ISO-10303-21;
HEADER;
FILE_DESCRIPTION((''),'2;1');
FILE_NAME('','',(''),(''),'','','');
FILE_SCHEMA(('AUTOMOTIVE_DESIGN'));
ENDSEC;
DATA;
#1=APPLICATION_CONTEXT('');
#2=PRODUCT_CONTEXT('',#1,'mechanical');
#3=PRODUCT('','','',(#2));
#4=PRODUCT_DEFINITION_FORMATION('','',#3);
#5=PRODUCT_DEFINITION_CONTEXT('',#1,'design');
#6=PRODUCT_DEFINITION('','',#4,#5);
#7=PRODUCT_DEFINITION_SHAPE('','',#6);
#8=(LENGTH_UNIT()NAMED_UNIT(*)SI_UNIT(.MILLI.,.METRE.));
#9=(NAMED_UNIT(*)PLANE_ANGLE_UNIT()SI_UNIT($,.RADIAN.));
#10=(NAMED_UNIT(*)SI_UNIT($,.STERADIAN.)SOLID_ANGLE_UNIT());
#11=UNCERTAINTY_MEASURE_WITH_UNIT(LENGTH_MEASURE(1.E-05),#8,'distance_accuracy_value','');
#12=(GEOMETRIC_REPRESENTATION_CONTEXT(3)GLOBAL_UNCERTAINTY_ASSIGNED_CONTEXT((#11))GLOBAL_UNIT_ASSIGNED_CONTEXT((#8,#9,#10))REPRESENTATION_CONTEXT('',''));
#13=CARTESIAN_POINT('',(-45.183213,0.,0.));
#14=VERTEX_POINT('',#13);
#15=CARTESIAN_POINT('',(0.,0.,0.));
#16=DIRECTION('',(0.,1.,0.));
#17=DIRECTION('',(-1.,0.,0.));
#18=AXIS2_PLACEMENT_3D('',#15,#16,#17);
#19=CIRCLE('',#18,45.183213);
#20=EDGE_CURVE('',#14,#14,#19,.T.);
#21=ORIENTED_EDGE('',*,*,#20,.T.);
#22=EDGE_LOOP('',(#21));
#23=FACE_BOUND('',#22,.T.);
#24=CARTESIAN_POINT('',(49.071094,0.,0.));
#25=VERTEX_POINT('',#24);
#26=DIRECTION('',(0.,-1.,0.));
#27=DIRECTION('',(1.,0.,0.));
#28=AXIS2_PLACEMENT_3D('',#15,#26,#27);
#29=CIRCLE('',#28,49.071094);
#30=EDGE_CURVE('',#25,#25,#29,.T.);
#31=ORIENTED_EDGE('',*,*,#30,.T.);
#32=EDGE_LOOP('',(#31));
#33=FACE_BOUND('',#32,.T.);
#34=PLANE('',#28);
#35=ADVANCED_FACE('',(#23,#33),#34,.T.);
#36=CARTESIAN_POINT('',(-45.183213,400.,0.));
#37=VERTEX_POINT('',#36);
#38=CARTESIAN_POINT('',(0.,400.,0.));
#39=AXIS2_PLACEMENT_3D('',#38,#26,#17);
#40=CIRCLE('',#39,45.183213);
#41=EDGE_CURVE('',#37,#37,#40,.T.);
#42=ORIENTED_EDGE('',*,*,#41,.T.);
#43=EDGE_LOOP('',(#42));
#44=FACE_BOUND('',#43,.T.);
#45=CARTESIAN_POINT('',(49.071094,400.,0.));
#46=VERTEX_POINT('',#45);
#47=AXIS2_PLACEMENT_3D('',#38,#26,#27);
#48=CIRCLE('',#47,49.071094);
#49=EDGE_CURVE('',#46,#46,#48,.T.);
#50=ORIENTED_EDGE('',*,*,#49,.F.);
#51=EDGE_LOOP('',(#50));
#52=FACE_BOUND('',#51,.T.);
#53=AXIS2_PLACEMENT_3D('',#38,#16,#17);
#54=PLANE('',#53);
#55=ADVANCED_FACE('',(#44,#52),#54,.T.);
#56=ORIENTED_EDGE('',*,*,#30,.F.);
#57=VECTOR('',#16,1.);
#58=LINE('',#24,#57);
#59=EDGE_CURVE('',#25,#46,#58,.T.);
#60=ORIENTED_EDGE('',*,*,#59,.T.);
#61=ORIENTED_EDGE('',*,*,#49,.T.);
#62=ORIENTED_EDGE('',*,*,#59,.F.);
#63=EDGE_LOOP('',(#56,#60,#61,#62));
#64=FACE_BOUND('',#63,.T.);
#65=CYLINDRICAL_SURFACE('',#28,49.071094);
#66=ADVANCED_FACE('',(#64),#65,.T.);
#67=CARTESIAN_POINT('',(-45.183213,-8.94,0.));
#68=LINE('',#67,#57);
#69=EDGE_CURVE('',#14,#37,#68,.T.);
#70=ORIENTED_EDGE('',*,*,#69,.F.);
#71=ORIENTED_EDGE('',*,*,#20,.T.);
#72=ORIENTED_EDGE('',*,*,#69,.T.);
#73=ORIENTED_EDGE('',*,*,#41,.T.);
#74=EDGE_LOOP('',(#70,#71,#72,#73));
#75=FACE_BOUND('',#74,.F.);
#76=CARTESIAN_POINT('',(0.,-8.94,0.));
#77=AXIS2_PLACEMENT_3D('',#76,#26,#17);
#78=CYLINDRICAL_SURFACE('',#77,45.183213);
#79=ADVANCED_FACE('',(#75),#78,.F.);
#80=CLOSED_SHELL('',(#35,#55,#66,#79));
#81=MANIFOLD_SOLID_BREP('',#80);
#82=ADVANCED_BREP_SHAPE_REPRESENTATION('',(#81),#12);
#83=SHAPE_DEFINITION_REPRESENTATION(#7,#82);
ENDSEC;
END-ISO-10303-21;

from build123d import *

# Parameters (mm, degrees)
F0_R      = 49.071094
F1_DEPTH  = 400
F2_R      = 45.183213
F3_DEPTH  = 408.94
F3_FACE_R = 45.183213
F4_DEPTH  = 500.38


with BuildPart() as f1:
    # F0 (on Front) → F1 (new body)
    with BuildSketch(Plane.XZ):
        Circle(F0_R)
    extrude(amount=-F1_DEPTH)

    # F2 (on face) → F3 (join)
    with BuildSketch(Plane(origin=(0, 400, 0), x_dir=(-1, 0, 0), z_dir=(0, 1, 0))):
        Circle(F2_R)
    extrude(amount=-F3_DEPTH)

    # F3_face (on face) → F4 (cut)
    with BuildSketch(Plane(origin=(0, -8.94, 0), x_dir=(-1, 0, 0), z_dir=(0, -1, 0))):
        Circle(F3_FACE_R)
    extrude(amount=-F4_DEPTH, mode=Mode.SUBTRACT)


solid = f1.part
